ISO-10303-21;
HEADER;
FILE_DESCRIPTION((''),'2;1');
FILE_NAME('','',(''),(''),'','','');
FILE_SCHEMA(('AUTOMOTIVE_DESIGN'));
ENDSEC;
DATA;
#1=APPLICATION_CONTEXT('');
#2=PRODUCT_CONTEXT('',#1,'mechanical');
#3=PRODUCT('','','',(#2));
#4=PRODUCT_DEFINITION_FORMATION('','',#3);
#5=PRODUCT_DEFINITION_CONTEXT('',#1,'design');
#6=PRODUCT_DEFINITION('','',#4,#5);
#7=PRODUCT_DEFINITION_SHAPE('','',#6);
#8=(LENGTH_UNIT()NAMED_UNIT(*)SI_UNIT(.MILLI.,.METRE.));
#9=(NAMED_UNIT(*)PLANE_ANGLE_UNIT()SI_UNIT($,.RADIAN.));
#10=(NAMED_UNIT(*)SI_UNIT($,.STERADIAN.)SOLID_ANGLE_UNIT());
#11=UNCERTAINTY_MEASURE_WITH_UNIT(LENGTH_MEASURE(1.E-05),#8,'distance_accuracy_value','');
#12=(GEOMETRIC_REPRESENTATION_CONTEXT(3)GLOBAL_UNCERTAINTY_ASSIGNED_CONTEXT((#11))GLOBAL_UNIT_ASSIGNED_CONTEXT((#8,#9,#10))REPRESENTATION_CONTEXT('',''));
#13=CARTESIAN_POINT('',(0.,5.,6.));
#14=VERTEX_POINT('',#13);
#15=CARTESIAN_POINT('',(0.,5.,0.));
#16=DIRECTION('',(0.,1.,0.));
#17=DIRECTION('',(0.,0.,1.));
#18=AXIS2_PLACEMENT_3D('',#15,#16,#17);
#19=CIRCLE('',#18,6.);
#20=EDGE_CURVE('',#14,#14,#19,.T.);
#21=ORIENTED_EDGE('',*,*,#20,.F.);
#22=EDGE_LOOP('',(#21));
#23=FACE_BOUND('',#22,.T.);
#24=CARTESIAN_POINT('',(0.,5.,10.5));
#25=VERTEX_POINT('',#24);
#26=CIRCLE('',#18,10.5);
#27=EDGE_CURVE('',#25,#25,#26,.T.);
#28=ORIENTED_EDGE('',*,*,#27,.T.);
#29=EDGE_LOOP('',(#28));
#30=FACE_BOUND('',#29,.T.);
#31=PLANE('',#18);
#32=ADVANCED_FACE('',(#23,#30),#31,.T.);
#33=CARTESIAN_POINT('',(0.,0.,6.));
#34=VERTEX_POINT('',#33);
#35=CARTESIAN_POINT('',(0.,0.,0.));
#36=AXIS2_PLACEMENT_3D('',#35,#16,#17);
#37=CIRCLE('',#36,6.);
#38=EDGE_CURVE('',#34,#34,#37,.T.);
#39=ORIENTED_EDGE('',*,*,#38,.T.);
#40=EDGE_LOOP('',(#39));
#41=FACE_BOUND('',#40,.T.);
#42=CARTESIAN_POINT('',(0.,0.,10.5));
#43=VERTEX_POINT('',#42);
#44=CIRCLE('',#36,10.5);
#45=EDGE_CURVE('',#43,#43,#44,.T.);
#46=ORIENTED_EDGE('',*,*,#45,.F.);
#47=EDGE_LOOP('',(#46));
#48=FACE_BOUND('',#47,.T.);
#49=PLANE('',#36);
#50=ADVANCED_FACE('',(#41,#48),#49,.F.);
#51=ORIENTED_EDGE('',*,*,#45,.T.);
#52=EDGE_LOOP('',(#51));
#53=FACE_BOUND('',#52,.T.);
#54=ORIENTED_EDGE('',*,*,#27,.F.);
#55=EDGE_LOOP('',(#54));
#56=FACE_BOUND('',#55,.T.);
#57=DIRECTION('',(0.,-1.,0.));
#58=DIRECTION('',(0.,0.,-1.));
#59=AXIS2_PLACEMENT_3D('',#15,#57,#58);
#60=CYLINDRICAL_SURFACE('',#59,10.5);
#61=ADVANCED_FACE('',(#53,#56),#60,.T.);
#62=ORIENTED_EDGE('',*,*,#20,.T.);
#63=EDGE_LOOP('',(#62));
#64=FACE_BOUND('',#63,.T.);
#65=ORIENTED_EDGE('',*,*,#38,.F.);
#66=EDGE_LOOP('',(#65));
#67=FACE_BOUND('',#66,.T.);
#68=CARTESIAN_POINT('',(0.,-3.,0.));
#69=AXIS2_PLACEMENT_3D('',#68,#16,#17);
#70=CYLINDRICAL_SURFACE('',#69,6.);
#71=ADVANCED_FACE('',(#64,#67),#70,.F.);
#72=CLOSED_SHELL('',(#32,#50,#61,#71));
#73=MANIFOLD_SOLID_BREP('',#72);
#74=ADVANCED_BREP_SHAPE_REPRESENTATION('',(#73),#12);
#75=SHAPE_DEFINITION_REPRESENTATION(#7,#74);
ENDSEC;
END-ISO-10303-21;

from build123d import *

# Parameters (mm, degrees)
SKETCH5_R           = 10.5
BOSS_EXTRUDE2_DEPTH = 5
SKETCH6_R           = 6
CUT_EXTRUDE3_DEPTH  = 8


with BuildPart() as part:
    # Sketch5 → Boss-Extrude2 (new body)
    with BuildSketch(Plane(origin=(0, 0, 0), x_dir=(1, 0, 0), z_dir=(0, 1, 0))):
        Circle(SKETCH5_R)
    extrude(amount=BOSS_EXTRUDE2_DEPTH)

    # Sketch6 → Cut-Extrude3 (cut)
    with BuildSketch(Plane(origin=(0, 5, 0), x_dir=(1, 0, 0), z_dir=(0, 1, 0))):
        Circle(SKETCH6_R)
    extrude(amount=-CUT_EXTRUDE3_DEPTH, mode=Mode.SUBTRACT)


solid = part.part
